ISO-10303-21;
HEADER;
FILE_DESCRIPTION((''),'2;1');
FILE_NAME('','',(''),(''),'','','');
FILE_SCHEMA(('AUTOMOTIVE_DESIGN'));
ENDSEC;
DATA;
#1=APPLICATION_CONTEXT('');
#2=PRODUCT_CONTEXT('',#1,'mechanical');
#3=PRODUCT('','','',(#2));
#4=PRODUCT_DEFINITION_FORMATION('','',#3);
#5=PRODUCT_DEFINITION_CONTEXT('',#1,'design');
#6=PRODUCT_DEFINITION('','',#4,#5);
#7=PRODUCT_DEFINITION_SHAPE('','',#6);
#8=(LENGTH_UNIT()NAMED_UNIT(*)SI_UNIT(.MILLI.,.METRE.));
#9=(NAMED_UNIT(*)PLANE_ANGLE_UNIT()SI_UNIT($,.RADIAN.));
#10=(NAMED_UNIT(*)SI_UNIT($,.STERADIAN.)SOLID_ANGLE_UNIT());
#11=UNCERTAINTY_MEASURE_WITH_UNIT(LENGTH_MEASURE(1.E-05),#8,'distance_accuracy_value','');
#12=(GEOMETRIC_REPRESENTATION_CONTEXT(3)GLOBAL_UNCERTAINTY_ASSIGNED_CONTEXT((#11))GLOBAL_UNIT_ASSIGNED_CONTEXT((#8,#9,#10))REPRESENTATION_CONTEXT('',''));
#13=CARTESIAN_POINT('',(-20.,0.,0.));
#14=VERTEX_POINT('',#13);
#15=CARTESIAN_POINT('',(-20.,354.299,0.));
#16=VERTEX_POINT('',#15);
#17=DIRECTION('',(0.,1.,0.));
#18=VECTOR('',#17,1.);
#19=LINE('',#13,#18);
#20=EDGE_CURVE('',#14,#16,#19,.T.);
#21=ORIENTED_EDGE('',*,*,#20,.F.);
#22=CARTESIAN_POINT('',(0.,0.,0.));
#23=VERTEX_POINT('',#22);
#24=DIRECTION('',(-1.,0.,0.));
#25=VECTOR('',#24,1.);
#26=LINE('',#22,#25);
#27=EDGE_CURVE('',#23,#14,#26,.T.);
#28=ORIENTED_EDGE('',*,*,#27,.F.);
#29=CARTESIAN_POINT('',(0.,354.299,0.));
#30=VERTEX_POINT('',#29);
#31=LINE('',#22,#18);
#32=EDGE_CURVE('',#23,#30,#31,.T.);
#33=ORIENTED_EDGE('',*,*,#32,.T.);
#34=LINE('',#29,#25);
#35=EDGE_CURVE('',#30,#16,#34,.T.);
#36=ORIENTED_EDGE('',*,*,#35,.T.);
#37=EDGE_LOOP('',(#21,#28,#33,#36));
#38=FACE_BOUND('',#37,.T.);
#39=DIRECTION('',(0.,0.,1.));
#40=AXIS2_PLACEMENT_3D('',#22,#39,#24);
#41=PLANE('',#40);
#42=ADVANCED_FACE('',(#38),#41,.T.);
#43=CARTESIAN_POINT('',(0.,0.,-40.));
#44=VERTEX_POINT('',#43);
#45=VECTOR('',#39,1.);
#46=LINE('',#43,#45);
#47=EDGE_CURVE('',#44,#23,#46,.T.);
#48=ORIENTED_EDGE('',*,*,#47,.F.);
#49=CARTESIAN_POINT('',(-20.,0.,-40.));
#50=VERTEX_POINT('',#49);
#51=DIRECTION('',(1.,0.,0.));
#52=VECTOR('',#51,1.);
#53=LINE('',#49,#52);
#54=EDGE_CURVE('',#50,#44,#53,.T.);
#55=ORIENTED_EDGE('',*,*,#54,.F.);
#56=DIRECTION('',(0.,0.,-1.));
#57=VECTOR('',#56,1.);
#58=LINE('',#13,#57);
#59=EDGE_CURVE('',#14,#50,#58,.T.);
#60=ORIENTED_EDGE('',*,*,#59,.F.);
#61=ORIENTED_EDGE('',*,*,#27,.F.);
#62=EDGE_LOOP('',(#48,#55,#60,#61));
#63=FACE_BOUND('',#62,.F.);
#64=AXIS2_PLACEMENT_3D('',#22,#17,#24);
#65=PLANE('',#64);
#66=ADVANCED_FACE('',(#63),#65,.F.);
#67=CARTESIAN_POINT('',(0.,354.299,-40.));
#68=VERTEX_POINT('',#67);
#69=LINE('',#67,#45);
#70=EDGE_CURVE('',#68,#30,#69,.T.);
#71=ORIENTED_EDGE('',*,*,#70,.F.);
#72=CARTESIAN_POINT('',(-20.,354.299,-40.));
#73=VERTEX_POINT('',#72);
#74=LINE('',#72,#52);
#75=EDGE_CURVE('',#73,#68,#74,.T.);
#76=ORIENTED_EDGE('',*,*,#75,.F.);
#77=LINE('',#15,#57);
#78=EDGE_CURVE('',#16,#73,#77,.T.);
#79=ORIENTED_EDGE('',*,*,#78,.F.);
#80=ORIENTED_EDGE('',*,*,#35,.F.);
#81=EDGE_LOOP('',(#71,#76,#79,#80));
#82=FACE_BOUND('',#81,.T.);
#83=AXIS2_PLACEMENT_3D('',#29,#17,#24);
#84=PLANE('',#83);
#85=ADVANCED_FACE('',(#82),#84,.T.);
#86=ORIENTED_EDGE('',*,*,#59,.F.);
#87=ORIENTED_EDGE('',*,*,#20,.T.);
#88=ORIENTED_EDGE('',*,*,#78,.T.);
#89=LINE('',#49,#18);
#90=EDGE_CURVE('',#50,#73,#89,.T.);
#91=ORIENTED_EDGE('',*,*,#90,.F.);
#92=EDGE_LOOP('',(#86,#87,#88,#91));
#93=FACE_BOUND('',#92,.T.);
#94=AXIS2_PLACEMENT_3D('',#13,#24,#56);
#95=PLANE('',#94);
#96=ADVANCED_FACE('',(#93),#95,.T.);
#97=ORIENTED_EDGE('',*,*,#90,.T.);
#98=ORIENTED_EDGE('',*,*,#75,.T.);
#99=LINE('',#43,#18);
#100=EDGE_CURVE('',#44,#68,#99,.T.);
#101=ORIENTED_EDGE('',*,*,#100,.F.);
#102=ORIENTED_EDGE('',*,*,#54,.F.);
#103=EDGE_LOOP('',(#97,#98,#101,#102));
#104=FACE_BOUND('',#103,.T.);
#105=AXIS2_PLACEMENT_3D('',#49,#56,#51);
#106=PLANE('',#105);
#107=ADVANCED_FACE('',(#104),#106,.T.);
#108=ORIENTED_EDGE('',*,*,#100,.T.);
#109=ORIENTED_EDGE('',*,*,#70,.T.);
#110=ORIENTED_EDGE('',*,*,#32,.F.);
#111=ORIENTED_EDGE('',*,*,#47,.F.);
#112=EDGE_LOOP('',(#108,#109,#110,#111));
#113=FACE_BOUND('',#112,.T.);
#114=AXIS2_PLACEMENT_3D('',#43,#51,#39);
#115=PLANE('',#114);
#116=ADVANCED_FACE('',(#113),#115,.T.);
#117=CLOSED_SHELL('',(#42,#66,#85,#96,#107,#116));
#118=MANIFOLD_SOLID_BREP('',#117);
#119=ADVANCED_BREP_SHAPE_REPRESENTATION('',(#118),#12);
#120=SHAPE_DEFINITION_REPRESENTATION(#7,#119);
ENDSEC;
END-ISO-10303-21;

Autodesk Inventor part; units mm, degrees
ref_plane "YZ Plane" through (0, 0, 0) normal (1, 0, 0) x (0, 1, 0)
ref_plane "XZ Plane" through (0, 0, 0) normal (0, 1, 0) x (-1, 0, 0)
ref_plane "XY Plane" through (0, 0, 0) normal (0, 0, 1) x (1, 0, 0)
sketch "草图1" plane through (0, 0, 0) normal (0, 1, 0) x (-1, 0, 0)
  line L0 (0, 0) -> (20, 0)
  line L1 (20, 0) -> (20, -40)
  line L2 (20, -40) -> (0, -40)
  line L3 (0, -40) -> (0, 0)
  dimension "d0" = 40
  dimension "d1" = 20
extrude "拉伸1" add sketch "草图1" along normal blind 354.299
properties part number "欧标铝-354.299mm"
